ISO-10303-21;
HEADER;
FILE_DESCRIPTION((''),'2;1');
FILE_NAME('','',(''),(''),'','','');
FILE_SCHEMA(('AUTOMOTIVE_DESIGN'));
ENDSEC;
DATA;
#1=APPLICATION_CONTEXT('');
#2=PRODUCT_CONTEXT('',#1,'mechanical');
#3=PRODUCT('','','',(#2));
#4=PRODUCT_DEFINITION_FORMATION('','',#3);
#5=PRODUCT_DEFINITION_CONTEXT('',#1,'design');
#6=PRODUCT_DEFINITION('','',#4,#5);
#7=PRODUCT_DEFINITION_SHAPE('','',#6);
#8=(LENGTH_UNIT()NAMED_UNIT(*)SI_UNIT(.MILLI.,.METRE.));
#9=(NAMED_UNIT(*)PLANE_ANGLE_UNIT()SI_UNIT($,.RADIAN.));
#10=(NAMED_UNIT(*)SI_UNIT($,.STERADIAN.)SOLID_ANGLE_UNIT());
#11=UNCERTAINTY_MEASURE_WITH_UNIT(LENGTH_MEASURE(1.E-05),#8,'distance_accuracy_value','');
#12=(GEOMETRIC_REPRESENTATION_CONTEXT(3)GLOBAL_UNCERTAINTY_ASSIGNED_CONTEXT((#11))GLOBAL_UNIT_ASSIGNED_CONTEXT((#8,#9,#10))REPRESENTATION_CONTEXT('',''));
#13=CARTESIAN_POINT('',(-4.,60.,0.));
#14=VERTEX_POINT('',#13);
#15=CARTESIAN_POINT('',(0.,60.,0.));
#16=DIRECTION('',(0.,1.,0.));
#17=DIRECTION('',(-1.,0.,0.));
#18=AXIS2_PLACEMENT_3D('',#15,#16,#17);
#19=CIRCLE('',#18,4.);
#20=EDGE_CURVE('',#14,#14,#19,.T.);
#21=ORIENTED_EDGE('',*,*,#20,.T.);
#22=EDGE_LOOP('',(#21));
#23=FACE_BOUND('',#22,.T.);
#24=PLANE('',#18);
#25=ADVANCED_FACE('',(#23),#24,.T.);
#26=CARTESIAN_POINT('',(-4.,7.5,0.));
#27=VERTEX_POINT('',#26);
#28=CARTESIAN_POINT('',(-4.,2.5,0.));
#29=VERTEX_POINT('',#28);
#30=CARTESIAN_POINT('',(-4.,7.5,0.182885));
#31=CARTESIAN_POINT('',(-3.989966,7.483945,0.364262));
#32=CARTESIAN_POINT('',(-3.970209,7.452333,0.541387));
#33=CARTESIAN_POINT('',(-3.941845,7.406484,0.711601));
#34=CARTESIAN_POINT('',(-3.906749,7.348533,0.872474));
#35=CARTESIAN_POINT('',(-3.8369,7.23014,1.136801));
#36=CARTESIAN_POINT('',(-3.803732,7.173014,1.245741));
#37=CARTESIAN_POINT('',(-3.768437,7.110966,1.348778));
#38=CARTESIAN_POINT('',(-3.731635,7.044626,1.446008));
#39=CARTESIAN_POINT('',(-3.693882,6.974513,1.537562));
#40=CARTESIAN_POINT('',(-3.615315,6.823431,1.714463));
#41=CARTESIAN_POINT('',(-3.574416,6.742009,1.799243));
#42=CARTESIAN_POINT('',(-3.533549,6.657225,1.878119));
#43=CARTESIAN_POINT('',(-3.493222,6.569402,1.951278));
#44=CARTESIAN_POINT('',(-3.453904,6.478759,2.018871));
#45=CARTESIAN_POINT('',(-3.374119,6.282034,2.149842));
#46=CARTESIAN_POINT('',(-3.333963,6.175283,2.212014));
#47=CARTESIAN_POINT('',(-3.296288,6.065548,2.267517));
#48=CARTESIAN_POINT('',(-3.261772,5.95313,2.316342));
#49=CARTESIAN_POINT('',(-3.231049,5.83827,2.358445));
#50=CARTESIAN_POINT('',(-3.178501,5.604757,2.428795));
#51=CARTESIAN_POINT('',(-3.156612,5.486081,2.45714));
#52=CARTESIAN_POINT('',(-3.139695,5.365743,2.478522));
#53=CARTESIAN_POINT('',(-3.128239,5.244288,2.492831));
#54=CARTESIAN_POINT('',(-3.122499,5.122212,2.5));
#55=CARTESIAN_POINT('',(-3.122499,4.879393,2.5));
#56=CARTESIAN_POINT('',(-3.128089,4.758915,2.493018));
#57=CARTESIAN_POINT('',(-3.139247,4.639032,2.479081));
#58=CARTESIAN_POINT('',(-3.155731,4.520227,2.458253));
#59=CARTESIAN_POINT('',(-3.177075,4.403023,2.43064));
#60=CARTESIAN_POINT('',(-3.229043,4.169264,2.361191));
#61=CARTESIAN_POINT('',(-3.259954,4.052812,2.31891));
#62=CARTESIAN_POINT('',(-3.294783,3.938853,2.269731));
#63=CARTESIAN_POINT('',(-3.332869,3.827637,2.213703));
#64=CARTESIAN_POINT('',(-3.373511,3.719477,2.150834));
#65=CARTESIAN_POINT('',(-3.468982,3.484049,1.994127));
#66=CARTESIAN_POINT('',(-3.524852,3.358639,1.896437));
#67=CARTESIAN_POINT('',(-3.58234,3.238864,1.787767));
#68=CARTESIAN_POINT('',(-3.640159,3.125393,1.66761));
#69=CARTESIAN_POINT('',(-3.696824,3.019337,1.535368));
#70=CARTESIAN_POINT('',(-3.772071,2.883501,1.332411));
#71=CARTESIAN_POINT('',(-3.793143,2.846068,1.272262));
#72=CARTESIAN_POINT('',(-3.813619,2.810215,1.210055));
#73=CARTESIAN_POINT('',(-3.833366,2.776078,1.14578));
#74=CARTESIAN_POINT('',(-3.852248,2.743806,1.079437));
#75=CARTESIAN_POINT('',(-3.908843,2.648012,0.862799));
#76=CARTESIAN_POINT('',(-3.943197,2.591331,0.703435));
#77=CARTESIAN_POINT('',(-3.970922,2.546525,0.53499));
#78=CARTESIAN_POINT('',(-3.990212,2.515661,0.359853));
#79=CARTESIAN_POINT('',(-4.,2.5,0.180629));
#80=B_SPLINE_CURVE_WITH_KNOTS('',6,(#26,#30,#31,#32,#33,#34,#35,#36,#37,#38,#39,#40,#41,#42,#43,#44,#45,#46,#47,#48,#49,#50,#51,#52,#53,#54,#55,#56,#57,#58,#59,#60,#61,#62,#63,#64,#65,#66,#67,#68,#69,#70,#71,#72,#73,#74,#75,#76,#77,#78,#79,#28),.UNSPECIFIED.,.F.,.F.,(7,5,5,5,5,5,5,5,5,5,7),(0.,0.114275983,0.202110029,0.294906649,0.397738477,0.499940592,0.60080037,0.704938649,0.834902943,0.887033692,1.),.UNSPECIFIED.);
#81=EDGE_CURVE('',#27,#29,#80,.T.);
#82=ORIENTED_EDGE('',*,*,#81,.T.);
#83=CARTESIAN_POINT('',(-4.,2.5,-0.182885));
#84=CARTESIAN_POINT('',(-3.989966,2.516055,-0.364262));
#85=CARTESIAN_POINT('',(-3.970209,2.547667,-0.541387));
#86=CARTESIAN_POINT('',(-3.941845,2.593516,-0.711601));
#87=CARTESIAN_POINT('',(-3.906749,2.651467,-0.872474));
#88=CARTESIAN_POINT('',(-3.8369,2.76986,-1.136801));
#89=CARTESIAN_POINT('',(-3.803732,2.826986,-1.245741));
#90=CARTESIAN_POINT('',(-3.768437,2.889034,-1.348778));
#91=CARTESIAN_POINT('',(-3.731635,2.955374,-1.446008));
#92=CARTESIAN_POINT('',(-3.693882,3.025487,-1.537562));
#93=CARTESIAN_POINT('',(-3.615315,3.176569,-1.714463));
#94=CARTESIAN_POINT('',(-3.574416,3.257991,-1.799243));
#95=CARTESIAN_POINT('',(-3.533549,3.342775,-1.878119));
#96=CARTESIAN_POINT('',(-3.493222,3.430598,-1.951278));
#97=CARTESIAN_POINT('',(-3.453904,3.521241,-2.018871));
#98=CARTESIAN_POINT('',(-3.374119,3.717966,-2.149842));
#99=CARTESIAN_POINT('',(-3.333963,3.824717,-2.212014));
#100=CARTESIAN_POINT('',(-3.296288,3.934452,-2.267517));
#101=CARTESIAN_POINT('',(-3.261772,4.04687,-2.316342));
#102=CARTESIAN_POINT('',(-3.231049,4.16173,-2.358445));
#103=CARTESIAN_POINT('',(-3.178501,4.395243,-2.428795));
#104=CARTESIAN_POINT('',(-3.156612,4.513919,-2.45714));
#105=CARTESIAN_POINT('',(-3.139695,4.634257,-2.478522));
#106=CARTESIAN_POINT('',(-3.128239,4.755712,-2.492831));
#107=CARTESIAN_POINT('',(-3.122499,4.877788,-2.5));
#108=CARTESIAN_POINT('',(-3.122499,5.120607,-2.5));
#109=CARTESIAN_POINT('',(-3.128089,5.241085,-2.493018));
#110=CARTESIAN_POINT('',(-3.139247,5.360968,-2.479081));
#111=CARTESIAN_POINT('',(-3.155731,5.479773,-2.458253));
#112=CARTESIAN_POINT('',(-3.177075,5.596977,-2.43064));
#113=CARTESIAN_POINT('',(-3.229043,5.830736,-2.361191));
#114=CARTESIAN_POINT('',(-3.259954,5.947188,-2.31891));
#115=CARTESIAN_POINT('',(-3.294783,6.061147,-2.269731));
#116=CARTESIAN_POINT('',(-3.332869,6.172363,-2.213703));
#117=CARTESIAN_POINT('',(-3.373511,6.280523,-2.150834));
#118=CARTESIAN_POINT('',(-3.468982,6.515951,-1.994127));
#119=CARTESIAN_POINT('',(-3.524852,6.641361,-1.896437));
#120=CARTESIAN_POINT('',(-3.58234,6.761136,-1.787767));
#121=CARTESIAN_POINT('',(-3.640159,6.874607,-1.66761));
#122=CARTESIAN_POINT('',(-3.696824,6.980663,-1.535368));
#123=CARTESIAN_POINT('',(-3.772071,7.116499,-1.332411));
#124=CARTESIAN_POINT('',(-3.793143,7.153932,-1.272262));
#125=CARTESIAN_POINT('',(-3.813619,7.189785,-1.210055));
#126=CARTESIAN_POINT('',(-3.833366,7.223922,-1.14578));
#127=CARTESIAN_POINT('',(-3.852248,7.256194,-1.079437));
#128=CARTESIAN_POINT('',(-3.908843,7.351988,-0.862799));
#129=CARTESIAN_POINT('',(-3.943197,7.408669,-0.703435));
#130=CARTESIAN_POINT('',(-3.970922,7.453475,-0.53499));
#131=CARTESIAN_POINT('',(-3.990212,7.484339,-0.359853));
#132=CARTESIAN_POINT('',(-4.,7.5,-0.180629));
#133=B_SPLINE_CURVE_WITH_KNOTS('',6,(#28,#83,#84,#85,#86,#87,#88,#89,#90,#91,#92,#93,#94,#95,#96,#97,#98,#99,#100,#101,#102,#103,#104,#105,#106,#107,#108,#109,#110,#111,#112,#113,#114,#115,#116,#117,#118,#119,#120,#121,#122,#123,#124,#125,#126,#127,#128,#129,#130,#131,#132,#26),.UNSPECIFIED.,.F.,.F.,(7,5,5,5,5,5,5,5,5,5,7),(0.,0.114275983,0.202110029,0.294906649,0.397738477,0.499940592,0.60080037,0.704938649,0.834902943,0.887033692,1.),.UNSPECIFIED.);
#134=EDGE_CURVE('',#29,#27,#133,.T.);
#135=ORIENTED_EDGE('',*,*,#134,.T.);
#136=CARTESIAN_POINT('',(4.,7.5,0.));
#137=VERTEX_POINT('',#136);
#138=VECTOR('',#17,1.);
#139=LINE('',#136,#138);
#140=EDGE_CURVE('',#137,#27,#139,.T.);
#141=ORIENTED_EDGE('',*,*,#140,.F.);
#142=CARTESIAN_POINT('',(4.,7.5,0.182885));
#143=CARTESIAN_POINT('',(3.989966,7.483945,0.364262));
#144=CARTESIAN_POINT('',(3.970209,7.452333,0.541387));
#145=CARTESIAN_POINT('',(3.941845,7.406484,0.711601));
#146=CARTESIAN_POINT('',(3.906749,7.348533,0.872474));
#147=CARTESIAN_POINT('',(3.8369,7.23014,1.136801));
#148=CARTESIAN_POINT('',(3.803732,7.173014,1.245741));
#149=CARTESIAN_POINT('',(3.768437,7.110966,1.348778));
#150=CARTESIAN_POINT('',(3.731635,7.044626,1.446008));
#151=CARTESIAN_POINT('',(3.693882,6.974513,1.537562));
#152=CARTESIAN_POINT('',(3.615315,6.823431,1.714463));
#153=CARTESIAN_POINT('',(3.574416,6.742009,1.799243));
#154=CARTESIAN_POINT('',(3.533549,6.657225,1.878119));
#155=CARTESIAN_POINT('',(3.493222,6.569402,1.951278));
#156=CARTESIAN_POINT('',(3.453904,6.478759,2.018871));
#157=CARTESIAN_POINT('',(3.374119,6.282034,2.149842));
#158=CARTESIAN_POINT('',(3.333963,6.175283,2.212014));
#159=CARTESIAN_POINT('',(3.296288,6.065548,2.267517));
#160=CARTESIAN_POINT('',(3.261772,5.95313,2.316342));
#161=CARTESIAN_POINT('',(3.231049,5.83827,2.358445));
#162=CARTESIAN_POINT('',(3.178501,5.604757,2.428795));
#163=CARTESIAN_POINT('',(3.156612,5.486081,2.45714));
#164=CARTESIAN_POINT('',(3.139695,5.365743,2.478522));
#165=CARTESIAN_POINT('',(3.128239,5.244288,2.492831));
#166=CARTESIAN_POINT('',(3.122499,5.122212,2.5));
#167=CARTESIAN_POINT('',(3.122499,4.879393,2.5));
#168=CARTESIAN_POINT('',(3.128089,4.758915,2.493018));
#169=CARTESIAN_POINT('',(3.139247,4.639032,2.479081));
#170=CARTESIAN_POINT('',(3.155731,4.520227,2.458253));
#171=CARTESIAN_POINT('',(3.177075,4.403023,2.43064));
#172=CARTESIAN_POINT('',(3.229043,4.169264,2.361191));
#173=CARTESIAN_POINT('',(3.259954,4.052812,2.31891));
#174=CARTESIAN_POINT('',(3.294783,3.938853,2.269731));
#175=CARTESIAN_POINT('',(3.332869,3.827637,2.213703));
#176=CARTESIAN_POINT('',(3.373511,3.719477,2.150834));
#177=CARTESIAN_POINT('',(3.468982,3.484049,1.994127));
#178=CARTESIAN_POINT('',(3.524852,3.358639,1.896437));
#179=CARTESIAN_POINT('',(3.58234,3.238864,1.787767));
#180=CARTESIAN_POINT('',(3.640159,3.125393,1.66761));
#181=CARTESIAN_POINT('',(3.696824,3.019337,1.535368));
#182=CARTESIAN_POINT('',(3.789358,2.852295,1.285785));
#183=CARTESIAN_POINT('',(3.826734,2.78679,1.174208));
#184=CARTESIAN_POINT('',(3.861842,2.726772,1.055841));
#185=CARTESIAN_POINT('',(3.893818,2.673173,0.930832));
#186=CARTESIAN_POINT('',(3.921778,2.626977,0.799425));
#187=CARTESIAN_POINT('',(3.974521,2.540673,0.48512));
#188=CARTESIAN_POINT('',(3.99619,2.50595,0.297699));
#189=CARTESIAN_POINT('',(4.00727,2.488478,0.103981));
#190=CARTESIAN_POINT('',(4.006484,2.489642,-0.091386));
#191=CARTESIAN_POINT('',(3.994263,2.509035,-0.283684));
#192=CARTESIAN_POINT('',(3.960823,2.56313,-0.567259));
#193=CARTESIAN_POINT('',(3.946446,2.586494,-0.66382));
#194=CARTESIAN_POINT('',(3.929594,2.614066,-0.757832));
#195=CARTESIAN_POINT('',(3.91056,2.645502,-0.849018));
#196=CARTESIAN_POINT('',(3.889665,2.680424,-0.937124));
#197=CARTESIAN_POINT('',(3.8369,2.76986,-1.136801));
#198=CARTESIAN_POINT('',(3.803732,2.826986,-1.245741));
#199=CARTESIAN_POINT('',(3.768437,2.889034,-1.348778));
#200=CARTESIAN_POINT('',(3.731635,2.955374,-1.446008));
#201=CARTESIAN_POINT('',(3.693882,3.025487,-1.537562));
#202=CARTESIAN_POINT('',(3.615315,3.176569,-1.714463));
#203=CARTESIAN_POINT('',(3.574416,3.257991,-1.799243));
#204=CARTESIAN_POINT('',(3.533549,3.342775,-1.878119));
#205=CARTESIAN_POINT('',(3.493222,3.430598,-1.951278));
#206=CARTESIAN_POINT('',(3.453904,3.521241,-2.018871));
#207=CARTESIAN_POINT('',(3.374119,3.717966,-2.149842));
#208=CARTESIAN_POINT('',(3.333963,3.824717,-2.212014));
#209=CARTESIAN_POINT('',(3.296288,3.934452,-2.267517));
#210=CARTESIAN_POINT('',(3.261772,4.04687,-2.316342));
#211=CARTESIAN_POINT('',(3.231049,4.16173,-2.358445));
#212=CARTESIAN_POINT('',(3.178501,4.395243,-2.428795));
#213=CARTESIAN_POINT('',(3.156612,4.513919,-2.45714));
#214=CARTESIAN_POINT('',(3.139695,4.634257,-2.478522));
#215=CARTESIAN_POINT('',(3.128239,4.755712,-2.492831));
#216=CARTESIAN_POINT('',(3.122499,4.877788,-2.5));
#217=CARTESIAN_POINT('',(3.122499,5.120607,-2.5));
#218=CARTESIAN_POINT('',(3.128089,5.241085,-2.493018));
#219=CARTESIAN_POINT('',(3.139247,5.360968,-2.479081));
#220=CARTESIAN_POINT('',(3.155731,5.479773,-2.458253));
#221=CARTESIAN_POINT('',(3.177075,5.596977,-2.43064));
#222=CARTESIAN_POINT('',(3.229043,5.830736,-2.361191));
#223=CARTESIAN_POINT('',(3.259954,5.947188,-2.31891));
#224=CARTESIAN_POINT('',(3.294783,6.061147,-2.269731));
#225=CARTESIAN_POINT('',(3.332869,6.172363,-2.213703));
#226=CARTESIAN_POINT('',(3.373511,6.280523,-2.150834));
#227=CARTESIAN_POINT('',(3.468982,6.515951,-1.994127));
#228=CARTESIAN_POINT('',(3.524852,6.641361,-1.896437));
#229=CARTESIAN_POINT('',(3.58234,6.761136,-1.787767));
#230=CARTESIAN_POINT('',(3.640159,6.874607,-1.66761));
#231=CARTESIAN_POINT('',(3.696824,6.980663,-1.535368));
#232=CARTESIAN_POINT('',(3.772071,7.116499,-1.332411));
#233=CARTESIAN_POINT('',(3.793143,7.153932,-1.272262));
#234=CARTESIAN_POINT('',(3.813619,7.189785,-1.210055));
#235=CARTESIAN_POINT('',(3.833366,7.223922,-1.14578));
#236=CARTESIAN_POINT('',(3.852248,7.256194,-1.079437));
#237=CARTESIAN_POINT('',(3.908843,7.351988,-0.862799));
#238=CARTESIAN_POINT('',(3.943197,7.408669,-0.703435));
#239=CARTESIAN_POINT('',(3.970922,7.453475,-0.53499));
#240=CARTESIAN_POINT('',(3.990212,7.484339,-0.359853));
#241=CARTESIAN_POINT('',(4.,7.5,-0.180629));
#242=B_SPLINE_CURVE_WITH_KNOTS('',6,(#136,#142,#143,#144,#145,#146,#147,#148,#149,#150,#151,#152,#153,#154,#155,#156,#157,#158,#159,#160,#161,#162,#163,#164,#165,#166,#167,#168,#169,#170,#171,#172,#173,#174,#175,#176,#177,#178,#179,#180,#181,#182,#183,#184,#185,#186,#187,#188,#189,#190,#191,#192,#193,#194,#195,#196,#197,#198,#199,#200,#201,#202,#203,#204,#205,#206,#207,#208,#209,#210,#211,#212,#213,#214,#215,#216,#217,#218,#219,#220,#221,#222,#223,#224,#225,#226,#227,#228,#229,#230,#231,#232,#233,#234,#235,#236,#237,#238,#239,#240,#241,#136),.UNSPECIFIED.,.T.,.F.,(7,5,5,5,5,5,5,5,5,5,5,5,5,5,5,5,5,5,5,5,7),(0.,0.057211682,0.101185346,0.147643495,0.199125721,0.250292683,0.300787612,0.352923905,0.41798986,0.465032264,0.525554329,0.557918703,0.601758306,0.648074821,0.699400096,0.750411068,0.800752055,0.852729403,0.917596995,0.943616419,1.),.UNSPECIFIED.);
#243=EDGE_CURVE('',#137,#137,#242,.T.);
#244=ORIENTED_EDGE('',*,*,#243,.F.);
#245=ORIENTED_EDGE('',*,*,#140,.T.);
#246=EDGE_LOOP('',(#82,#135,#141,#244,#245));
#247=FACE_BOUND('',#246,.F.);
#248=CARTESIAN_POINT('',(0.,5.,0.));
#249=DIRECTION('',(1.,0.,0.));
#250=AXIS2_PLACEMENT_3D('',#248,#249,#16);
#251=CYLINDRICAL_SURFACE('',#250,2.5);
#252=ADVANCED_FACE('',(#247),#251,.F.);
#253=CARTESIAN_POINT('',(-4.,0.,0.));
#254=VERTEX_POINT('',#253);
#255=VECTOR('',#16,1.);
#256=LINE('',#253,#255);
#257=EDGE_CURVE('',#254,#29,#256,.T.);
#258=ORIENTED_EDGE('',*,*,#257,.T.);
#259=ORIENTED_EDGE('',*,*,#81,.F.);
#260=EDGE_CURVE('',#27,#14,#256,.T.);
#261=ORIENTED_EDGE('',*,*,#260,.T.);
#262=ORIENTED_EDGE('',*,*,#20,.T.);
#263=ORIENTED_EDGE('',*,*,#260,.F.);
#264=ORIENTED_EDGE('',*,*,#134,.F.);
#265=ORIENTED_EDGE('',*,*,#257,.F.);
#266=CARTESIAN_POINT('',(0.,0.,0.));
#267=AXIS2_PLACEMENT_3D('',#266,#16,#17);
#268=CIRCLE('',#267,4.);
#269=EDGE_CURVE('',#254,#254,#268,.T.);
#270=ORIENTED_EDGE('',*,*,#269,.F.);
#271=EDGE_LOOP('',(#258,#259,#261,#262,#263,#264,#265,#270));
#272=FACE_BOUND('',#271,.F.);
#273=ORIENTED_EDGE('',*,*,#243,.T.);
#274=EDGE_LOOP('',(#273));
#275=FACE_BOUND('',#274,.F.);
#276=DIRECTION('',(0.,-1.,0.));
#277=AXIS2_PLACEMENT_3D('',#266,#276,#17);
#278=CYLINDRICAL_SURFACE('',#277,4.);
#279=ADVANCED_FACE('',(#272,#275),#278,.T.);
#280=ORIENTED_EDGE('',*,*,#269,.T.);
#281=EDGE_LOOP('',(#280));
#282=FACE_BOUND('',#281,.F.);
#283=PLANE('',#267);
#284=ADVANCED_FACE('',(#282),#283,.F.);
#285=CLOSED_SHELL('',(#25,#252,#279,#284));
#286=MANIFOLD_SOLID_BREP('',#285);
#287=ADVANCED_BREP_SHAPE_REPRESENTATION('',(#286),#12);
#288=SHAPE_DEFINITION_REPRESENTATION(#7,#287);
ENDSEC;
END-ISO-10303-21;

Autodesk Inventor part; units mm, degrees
ref_plane "XZ Plane" through (0, 0, 0) normal (0, 1, 0) x (-1, 0, 0)
ref_plane "XY Plane" through (0, 0, 0) normal (0, 0, 1) x (1, 0, 0)
sketch "Sketch1" plane through (0, 0, 0) normal (0, 1, 0) x (-1, 0, 0)
  circle A0 centre (0, 0) radius 4
  dimension "d0" = 8
extrude "Extrusion1" add sketch "Sketch1" along normal blind 60
sketch "Sketch2" plane through (0, 0, 0) normal (1, 0, 0) x (0, 1, 0)
  circle A0 centre (5, 0) radius 2.5
  line L0 (0, -4) -> (0, 4) projected
  point P0 (0, 0)
  dimension "d3" = 5
  dimension "d4" = 5
extrude "Extrusion2" cut sketch "Sketch2" along normal mid plane 50
ref_plane "Work Plane1" through (-4, 0, 0) normal (1, 0, 0) x (0, 1, 0)
properties part number "rod2"
